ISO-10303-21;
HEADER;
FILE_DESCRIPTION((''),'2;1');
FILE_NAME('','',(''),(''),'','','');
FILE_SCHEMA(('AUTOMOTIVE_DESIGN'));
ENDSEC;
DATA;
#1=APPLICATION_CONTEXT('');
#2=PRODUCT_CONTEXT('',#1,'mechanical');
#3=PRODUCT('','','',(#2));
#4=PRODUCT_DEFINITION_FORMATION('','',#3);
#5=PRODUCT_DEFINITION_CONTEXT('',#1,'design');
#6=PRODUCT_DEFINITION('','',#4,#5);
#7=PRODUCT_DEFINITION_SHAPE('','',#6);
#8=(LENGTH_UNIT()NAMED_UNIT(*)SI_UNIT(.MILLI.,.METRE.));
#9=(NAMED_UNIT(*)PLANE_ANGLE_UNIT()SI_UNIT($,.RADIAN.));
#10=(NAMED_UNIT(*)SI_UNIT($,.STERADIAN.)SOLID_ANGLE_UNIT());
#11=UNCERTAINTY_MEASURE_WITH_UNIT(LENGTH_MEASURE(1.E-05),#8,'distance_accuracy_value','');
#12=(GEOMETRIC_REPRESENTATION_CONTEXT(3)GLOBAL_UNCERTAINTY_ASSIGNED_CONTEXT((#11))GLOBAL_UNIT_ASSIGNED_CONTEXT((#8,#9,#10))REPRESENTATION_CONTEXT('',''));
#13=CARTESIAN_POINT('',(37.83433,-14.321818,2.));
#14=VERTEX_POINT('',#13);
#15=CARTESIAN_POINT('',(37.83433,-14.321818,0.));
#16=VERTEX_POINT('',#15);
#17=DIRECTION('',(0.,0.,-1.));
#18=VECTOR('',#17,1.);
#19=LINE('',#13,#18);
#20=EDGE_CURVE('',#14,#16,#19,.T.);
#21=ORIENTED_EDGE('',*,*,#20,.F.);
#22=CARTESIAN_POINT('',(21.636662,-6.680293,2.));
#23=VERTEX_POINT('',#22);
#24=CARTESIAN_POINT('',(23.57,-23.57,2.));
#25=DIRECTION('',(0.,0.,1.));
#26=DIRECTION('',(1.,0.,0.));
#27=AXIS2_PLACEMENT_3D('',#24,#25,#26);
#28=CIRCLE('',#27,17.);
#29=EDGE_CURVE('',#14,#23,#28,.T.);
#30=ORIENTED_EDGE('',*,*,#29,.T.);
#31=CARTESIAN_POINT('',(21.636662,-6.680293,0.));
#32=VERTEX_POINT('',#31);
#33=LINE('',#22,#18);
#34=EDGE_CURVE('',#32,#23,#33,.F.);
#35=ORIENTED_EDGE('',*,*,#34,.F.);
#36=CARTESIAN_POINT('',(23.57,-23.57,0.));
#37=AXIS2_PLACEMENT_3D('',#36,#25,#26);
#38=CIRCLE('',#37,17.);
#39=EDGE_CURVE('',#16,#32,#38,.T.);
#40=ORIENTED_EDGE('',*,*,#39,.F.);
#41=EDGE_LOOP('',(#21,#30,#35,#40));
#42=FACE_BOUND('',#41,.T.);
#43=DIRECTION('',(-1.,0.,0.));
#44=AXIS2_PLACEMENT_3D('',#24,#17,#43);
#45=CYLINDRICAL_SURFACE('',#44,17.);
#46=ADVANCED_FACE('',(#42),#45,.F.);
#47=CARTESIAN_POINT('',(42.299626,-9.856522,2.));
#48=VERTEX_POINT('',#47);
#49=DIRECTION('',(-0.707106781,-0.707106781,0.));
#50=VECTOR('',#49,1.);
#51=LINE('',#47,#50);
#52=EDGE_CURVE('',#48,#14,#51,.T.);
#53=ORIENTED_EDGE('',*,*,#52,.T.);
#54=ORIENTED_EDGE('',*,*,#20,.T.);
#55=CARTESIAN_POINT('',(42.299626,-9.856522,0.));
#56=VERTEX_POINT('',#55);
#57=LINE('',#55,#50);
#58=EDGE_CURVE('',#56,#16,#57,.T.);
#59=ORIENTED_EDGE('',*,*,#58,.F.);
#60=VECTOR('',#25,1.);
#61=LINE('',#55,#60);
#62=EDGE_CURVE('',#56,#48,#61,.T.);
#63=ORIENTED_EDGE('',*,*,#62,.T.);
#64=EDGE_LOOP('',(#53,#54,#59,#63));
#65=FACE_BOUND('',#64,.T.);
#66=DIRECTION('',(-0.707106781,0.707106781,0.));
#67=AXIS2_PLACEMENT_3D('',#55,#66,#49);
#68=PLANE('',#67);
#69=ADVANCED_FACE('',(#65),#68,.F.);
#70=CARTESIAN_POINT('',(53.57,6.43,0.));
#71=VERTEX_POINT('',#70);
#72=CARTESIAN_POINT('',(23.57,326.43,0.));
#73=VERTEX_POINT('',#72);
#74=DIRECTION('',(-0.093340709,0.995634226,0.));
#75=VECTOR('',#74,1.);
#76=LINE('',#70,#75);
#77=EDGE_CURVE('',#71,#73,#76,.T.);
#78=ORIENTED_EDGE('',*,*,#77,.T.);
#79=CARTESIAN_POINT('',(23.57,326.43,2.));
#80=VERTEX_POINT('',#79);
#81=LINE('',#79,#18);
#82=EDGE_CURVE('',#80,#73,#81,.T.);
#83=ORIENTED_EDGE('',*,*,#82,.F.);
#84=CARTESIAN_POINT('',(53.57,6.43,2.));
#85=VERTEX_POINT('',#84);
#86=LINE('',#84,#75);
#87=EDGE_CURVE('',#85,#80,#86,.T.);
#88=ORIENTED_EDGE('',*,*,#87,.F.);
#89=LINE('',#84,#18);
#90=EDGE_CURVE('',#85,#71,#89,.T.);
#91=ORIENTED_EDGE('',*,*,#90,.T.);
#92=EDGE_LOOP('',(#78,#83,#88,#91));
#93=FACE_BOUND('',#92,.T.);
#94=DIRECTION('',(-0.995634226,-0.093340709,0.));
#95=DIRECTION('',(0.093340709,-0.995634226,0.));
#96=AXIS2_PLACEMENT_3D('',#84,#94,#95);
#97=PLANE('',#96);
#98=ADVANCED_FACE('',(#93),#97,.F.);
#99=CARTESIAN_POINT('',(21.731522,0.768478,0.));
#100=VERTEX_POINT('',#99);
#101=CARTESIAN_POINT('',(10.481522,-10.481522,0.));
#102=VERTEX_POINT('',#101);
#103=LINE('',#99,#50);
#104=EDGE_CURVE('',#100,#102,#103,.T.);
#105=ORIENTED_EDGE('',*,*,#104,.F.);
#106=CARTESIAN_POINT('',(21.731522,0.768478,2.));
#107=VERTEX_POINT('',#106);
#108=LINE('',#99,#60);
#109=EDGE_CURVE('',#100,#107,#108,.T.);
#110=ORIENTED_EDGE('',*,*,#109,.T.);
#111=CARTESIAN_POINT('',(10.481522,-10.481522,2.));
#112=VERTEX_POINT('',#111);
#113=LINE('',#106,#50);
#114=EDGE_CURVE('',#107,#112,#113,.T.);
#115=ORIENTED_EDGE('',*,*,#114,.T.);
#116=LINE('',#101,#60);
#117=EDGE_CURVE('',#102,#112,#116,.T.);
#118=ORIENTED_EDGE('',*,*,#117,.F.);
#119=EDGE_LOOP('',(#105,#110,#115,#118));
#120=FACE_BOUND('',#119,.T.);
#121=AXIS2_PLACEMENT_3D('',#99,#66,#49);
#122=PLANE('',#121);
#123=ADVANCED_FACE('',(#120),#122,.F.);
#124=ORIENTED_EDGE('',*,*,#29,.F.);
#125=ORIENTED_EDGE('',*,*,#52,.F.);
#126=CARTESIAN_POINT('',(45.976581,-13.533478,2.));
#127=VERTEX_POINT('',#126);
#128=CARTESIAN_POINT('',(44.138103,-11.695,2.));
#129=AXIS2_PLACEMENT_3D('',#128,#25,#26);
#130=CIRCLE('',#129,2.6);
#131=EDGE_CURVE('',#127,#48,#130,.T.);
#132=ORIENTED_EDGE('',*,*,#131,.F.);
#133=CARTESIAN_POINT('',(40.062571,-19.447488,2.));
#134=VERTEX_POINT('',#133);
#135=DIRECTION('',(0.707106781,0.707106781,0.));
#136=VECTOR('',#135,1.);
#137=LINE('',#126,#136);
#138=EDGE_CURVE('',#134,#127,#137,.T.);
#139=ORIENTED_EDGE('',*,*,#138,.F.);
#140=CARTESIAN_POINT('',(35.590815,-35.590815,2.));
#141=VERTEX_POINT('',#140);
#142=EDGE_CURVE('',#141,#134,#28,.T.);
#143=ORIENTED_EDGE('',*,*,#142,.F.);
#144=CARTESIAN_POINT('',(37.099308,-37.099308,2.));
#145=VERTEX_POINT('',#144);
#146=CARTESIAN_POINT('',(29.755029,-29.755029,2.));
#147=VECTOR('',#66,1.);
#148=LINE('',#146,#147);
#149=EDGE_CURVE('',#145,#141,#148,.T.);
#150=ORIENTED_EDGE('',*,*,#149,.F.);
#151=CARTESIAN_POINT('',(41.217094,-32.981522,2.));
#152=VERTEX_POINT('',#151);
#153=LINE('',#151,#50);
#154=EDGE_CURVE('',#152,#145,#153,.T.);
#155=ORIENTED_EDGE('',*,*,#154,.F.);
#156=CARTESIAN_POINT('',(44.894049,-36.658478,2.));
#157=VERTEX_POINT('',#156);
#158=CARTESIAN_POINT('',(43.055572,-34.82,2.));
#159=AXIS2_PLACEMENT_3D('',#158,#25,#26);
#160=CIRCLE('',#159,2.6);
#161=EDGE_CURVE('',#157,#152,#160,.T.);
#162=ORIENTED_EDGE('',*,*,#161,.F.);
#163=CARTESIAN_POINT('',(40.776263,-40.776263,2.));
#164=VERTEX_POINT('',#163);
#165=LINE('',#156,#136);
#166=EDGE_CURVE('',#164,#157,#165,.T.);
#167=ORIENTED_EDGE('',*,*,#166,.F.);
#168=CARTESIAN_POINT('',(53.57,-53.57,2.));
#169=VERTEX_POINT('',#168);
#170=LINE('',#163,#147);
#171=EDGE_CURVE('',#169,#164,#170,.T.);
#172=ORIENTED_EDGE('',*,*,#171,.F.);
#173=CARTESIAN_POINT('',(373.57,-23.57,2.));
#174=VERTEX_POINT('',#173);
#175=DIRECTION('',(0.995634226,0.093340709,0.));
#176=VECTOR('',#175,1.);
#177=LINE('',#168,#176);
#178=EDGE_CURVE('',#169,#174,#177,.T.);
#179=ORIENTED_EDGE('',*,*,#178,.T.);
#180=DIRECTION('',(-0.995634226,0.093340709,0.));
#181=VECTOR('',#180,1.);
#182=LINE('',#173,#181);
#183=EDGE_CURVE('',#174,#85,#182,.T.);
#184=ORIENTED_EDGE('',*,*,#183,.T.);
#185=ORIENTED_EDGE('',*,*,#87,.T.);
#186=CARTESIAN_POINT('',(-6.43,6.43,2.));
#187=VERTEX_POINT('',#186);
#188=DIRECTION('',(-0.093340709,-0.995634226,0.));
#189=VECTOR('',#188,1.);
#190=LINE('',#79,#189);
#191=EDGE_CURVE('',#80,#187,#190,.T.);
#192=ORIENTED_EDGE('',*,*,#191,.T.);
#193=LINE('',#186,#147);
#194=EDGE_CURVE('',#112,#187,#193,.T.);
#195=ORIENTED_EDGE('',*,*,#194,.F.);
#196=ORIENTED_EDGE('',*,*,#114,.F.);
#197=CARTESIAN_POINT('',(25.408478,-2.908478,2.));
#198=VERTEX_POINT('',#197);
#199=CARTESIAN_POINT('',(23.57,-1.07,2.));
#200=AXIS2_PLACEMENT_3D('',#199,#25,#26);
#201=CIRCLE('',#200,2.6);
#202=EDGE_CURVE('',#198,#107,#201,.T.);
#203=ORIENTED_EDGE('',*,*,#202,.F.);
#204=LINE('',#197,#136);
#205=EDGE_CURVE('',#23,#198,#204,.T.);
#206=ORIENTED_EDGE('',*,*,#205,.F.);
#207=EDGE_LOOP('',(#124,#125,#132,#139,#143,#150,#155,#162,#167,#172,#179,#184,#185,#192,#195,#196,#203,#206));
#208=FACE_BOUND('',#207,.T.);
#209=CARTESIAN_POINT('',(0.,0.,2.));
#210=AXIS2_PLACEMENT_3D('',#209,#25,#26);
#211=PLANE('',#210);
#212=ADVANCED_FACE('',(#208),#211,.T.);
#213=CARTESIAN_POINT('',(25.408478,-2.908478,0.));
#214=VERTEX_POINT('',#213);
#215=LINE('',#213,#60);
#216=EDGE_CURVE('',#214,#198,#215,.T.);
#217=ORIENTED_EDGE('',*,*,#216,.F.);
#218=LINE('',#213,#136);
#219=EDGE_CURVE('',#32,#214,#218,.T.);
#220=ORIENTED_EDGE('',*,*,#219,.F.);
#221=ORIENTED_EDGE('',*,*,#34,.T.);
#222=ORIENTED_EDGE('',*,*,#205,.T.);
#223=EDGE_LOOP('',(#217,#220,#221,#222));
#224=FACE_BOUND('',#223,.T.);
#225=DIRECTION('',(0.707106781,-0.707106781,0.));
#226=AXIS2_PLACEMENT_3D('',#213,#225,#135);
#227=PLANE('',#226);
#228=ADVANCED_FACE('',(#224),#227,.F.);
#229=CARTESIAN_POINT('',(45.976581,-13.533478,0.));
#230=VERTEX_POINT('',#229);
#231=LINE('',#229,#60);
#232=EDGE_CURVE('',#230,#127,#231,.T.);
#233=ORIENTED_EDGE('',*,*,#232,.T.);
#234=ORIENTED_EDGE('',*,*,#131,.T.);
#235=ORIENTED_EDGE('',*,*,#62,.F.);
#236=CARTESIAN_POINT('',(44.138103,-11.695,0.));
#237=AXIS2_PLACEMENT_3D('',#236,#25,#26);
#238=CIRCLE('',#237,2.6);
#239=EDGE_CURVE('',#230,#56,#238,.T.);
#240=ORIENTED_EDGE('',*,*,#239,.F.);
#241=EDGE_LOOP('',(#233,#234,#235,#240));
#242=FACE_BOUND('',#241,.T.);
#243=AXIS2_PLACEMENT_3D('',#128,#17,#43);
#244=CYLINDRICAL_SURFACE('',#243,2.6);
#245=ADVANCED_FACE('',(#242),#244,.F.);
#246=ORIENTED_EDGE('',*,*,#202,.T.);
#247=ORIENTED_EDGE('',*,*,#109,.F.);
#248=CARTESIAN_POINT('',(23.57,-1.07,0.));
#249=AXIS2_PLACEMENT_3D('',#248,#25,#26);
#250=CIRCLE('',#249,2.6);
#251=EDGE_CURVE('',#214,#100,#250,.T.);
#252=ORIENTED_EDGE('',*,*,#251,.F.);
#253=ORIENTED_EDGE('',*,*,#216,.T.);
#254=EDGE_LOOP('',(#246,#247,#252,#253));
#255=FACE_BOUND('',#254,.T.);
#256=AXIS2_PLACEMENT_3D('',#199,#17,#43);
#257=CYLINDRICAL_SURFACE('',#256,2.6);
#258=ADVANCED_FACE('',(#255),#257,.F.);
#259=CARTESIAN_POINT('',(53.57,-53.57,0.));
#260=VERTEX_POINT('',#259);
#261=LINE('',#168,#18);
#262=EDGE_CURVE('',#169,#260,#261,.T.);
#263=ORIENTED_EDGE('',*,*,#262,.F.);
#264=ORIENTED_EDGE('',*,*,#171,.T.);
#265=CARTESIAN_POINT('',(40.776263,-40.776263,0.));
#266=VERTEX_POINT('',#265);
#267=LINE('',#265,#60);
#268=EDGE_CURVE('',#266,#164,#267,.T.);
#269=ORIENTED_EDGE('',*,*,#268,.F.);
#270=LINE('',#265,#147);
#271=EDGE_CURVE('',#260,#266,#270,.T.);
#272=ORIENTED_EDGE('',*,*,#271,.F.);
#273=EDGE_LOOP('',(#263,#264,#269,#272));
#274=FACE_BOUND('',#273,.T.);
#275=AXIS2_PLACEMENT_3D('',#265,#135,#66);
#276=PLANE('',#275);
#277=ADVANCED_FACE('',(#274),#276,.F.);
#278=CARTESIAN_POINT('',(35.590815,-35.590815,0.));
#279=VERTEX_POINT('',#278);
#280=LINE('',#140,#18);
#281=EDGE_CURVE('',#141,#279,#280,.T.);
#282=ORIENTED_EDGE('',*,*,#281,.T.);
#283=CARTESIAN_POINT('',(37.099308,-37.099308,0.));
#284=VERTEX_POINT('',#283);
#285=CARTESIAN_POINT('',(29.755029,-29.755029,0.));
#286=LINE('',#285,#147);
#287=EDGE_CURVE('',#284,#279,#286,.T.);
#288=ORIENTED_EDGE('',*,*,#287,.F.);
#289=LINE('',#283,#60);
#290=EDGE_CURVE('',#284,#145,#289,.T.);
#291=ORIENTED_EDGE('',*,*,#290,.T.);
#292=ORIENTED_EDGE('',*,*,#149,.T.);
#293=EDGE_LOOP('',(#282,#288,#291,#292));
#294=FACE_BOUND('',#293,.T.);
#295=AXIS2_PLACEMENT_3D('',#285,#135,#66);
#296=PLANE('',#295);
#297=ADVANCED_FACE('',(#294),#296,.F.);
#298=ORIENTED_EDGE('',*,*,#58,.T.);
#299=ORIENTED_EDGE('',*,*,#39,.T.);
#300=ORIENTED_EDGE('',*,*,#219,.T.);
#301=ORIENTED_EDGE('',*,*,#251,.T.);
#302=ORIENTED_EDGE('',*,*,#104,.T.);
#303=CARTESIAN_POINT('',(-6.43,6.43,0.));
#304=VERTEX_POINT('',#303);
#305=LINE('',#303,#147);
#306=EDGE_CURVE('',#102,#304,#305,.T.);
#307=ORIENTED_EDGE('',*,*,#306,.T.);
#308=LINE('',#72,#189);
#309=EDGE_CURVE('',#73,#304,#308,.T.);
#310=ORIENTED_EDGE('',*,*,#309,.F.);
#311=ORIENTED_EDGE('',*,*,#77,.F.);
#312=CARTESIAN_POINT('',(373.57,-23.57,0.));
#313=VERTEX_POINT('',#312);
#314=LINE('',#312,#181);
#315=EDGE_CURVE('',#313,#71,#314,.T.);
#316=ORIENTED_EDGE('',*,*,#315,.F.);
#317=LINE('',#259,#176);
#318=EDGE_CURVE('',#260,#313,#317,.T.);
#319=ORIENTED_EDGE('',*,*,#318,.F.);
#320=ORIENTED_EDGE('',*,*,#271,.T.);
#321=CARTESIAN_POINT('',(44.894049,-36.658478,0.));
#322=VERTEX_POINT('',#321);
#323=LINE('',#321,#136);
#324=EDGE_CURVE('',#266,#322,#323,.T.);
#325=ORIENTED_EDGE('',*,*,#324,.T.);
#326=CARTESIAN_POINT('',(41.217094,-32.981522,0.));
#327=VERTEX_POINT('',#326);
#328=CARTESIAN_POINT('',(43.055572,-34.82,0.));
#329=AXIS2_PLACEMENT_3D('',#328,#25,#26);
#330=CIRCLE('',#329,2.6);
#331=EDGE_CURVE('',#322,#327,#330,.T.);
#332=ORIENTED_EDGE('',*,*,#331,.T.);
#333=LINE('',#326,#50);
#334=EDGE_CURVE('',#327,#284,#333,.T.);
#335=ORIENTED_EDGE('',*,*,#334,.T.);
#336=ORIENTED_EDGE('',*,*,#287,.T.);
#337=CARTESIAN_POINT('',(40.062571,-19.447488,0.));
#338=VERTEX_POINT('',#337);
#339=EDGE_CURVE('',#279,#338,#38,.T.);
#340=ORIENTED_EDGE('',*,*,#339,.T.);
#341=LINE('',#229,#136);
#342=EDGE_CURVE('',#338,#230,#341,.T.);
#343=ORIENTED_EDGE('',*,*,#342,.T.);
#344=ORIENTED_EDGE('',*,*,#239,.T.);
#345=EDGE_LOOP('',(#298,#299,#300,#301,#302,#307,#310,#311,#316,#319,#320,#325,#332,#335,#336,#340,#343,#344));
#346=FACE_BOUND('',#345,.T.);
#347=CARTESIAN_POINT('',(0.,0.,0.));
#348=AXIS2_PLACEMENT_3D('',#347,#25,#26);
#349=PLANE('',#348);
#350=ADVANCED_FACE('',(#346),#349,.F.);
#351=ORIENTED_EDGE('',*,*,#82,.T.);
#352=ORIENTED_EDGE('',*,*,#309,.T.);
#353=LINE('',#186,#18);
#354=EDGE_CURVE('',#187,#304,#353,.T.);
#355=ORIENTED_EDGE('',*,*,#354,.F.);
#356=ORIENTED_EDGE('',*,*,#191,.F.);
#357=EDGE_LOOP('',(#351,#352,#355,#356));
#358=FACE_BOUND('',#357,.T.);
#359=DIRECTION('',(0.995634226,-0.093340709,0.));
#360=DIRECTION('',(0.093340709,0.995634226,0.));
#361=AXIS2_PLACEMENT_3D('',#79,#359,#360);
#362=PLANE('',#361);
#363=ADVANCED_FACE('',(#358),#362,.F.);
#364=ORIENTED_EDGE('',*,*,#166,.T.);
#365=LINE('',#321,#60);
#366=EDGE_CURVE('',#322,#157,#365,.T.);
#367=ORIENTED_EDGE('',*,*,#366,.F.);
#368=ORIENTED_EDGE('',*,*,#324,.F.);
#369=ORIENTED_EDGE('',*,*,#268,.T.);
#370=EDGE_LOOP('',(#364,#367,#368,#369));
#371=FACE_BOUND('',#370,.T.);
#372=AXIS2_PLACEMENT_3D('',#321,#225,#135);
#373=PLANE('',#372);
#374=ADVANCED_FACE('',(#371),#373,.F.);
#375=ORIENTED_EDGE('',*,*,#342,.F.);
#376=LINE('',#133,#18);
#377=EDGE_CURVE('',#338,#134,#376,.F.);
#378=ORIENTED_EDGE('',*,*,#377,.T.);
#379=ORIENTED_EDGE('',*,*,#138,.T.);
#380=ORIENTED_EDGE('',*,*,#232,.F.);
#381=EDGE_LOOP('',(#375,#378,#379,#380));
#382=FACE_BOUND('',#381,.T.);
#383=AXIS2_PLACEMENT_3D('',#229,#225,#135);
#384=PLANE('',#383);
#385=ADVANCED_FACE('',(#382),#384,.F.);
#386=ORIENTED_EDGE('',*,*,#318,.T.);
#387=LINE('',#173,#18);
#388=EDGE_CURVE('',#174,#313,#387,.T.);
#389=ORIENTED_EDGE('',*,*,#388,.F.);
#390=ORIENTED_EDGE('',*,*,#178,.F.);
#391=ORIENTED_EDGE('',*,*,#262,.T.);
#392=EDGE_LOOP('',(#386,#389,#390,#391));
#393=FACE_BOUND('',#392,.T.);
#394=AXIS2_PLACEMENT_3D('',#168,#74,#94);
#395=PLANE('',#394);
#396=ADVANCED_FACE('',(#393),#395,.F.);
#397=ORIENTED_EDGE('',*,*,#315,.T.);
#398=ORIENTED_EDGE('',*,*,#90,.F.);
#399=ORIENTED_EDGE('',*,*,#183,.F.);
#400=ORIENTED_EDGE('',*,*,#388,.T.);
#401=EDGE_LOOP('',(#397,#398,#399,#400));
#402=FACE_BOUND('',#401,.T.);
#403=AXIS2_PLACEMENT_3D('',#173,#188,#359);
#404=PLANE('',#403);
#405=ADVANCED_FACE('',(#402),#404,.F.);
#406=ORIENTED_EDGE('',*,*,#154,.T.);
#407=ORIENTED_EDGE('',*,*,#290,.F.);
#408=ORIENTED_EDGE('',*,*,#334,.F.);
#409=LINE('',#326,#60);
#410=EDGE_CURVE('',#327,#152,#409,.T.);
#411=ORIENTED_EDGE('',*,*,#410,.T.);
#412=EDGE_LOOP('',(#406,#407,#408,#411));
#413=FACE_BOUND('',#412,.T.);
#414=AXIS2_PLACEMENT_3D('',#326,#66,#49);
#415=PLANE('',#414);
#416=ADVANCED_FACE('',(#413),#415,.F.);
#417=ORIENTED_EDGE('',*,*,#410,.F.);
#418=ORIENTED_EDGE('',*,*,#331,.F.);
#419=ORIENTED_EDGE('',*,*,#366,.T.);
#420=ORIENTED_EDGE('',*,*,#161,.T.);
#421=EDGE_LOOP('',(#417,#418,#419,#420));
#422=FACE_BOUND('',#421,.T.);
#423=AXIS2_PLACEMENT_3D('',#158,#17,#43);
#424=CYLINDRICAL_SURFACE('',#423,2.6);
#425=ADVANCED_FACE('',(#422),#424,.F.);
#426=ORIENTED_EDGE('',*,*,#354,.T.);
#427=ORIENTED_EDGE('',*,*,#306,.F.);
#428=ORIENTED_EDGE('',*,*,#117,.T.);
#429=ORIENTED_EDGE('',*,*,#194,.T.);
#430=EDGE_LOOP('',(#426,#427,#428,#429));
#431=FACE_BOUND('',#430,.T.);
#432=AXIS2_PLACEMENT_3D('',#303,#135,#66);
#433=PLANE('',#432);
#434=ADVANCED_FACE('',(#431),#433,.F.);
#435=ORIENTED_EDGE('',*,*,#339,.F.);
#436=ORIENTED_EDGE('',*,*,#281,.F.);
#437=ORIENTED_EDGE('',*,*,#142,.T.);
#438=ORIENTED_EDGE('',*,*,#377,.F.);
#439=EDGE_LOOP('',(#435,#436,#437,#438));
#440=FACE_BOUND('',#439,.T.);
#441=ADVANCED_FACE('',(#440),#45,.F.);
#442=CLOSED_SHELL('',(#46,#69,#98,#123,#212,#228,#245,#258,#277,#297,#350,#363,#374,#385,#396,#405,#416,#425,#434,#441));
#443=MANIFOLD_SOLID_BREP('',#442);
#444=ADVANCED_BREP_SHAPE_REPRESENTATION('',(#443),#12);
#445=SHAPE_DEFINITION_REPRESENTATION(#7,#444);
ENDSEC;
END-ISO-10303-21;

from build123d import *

# Parameters (mm, degrees)
SKETCH_1_R          = 2.6
SKETCH_1_R_2        = 17
EXTRUDE_1_DEPTH     = 2
CUT_EXTRUDE_2_DEPTH = 2


with BuildPart() as part:
    # 草图1 → 凸台-拉伸1 (new body)
    with BuildSketch(Plane.XY):
        Polygon((53.57, -53.57), (373.57, -23.57), (53.57, 6.43), (23.57, 326.43), (-6.43, 6.43), (-6.43, -53.57), align=None)
        with Locations((23.57, -47.32)):
            Circle(SKETCH_1_R, mode=Mode.SUBTRACT)
        with Locations((3.00189666, -11.695)):
            Circle(SKETCH_1_R, mode=Mode.SUBTRACT)
        with Locations((44.13810334, -11.695)):
            Circle(SKETCH_1_R, mode=Mode.SUBTRACT)
        with Locations((43.055571585, -34.82)):
            Circle(SKETCH_1_R, mode=Mode.SUBTRACT)
        with Locations((4.084428415, -34.82)):
            Circle(SKETCH_1_R, mode=Mode.SUBTRACT)
        with Locations((23.57, -1.07)):
            Circle(SKETCH_1_R, mode=Mode.SUBTRACT)
        with Locations((23.57, -23.57)):
            Circle(SKETCH_1_R_2, mode=Mode.SUBTRACT)
    extrude(amount=EXTRUDE_1_DEPTH)

    # 草图2 → 切除-拉伸2 (cut)
    with BuildSketch(Plane.XY.offset(2)):
        Polygon((53.57, -53.57), (-6.43, -53.57), (-6.43, 6.43), (10.481522369, -10.481522369), (21.731522369, 0.768477631), (25.408477631, -2.908477631), (14.158477631, -14.158477631), (26.078074039, -26.078074039), (42.299625709, -9.856522369), (45.976580971, -13.533477631), (29.755029301, -29.755029301), (37.099308161, -37.099308161), (41.217093954, -32.981522369), (44.894049216, -36.658477631), (40.776263424, -40.776263424), align=None)
    extrude(amount=-CUT_EXTRUDE_2_DEPTH, mode=Mode.SUBTRACT)


solid = part.part
